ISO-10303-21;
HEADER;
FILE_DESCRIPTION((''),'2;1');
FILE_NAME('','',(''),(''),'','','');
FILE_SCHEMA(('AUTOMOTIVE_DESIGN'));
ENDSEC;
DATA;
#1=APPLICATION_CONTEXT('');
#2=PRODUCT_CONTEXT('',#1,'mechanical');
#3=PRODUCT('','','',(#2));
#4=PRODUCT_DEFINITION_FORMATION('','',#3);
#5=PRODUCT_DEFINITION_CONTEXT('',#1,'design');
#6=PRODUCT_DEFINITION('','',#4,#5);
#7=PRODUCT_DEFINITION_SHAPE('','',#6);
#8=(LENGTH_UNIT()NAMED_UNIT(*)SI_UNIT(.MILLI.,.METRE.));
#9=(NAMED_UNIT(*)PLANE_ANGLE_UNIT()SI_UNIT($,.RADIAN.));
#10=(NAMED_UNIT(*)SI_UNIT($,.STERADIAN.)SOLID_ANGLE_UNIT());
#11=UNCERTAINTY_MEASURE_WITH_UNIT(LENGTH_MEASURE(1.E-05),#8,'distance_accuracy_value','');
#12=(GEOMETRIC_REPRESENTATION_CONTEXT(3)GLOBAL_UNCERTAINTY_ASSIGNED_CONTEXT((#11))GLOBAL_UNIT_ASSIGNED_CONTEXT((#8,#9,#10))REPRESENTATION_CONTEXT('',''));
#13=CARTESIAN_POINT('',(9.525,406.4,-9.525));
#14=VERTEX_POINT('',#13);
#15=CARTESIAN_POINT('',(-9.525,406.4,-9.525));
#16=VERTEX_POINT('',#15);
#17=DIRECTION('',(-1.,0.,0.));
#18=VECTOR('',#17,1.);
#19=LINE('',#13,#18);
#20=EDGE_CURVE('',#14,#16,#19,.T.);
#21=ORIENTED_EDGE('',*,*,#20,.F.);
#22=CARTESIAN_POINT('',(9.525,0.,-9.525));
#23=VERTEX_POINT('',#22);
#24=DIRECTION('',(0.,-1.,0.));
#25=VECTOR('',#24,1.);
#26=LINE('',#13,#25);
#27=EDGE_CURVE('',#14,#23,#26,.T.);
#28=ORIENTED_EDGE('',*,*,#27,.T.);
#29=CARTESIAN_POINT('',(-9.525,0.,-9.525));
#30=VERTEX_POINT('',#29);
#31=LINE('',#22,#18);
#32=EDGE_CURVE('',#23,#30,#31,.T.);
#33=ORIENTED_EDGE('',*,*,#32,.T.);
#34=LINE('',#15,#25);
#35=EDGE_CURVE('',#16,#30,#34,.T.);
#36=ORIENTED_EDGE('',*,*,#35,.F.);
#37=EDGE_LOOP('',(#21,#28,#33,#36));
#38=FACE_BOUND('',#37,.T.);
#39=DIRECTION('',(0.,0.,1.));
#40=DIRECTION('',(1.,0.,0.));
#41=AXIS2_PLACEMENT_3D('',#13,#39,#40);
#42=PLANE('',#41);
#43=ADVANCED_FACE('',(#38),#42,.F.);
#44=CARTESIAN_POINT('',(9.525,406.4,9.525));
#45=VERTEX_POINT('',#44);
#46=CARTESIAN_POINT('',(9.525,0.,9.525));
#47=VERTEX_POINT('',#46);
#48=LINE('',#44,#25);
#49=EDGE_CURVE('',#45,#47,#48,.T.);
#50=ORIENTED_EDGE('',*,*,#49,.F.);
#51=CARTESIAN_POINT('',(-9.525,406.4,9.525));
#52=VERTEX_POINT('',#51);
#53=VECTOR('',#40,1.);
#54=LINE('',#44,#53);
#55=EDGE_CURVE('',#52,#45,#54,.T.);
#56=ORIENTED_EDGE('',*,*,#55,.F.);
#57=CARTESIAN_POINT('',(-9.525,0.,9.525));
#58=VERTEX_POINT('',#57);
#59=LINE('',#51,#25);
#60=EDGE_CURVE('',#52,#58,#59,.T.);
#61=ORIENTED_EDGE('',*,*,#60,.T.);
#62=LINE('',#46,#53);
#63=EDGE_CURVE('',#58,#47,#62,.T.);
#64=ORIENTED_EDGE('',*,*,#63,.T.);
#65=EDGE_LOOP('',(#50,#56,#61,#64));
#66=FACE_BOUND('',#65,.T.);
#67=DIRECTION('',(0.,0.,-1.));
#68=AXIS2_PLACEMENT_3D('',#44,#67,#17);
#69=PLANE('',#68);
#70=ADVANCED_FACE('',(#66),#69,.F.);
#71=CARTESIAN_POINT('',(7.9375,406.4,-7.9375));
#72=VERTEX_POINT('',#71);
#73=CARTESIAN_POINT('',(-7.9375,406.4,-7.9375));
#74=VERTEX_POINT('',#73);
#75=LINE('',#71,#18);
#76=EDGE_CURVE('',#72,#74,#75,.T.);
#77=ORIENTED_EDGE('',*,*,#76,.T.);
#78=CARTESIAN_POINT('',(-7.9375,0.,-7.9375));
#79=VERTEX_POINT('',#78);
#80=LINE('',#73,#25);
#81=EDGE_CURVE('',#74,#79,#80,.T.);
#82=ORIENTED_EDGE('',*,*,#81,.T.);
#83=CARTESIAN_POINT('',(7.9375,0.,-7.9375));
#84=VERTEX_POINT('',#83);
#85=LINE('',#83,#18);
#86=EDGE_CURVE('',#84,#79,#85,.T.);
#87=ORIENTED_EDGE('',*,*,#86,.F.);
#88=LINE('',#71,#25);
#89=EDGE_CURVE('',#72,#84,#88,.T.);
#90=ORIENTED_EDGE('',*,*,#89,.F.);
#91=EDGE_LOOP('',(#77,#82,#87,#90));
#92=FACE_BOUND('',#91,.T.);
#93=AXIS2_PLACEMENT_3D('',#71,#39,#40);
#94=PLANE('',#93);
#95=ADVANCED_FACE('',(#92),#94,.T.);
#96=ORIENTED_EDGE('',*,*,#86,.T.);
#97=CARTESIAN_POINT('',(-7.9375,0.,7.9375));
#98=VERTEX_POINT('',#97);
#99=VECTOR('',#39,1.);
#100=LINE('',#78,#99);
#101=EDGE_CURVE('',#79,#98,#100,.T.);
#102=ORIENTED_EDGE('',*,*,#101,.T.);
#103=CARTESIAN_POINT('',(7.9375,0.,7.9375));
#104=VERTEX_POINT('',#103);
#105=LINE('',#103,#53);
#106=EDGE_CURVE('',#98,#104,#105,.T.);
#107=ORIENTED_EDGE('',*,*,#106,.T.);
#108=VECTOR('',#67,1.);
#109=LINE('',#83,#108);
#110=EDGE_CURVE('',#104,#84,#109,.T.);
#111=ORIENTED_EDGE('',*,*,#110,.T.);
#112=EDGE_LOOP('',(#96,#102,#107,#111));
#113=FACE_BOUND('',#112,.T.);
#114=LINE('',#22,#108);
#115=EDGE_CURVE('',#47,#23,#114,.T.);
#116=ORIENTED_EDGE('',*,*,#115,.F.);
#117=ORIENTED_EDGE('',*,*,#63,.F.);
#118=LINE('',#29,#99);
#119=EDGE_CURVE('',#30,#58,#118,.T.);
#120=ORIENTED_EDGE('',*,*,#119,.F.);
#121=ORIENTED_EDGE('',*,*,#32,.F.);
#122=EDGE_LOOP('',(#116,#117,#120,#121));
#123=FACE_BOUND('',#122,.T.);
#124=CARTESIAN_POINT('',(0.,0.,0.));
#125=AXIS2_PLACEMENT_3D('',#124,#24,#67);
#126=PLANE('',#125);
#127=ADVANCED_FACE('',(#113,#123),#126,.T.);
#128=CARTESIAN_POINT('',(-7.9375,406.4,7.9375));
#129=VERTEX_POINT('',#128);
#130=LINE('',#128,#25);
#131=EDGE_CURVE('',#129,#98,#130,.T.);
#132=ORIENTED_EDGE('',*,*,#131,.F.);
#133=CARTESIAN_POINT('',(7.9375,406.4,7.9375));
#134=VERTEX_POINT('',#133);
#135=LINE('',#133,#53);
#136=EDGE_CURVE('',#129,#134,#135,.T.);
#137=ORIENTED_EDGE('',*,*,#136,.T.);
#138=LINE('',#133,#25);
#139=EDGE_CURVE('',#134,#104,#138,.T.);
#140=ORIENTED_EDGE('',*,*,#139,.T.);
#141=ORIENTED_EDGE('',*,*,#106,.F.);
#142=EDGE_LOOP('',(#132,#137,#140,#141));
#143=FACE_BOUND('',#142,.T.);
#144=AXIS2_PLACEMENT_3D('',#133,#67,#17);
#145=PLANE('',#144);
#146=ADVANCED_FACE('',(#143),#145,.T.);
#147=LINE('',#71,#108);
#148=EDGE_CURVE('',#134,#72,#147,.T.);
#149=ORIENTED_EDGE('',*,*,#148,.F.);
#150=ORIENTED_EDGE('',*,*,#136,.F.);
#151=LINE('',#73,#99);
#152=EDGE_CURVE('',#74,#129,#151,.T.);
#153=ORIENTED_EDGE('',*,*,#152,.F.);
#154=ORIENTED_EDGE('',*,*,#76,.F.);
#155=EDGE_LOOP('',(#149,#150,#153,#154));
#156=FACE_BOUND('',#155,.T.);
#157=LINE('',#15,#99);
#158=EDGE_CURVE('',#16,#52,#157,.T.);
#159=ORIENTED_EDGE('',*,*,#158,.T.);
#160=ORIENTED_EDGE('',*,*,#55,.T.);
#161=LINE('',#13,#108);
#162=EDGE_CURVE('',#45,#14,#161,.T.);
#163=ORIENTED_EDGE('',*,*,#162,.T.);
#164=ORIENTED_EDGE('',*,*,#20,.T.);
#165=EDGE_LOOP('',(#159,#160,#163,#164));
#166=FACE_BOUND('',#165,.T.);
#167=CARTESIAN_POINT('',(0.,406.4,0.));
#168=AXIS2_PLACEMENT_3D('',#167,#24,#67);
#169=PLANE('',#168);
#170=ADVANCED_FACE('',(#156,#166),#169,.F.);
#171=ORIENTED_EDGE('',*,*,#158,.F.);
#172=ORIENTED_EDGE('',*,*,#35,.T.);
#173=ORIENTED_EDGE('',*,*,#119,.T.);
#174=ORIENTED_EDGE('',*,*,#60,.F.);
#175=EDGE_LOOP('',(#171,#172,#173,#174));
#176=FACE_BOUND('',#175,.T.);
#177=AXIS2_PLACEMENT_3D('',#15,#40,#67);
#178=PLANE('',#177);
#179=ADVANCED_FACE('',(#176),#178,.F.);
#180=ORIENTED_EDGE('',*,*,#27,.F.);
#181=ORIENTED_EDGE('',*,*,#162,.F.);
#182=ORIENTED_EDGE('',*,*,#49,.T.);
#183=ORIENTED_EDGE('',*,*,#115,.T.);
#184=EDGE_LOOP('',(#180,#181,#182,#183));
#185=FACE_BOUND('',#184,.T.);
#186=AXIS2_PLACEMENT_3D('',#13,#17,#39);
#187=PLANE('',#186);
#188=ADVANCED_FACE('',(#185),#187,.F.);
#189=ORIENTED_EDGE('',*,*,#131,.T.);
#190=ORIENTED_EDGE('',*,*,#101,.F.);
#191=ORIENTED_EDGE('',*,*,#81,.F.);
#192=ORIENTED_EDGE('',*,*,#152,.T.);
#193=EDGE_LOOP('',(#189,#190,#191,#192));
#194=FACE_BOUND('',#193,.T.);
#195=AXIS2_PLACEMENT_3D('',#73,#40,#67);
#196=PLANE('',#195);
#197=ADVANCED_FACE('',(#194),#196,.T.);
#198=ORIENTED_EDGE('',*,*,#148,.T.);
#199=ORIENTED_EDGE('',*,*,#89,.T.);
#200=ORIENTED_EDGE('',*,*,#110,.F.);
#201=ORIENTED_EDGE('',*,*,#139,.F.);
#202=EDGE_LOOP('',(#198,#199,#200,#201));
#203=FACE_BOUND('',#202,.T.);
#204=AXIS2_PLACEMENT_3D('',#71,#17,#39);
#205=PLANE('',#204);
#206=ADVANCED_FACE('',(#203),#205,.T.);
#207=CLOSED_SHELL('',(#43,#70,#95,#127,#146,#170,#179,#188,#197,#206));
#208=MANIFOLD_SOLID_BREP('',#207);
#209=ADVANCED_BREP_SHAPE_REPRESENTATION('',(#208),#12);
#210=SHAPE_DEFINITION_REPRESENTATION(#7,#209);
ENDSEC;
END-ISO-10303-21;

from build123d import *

# Parameters (mm, degrees)
CROQUIS2_W              = 19.05
CROQUIS2_H              = 19.05
CROQUIS2_W_2            = 15.875
CROQUIS2_H_2            = 15.875
SALIENTE_EXTRUIR1_DEPTH = 406.4


with BuildPart() as part:
    # Croquis2 → Saliente-Extruir1 (new body)
    with BuildSketch(Plane(origin=(0, 0, 0), x_dir=(1, 0, 0), z_dir=(0, 1, 0))):
        Rectangle(CROQUIS2_W, CROQUIS2_H)
        Rectangle(CROQUIS2_W_2, CROQUIS2_H_2, mode=Mode.SUBTRACT)
    extrude(amount=SALIENTE_EXTRUIR1_DEPTH)


solid = part.part
